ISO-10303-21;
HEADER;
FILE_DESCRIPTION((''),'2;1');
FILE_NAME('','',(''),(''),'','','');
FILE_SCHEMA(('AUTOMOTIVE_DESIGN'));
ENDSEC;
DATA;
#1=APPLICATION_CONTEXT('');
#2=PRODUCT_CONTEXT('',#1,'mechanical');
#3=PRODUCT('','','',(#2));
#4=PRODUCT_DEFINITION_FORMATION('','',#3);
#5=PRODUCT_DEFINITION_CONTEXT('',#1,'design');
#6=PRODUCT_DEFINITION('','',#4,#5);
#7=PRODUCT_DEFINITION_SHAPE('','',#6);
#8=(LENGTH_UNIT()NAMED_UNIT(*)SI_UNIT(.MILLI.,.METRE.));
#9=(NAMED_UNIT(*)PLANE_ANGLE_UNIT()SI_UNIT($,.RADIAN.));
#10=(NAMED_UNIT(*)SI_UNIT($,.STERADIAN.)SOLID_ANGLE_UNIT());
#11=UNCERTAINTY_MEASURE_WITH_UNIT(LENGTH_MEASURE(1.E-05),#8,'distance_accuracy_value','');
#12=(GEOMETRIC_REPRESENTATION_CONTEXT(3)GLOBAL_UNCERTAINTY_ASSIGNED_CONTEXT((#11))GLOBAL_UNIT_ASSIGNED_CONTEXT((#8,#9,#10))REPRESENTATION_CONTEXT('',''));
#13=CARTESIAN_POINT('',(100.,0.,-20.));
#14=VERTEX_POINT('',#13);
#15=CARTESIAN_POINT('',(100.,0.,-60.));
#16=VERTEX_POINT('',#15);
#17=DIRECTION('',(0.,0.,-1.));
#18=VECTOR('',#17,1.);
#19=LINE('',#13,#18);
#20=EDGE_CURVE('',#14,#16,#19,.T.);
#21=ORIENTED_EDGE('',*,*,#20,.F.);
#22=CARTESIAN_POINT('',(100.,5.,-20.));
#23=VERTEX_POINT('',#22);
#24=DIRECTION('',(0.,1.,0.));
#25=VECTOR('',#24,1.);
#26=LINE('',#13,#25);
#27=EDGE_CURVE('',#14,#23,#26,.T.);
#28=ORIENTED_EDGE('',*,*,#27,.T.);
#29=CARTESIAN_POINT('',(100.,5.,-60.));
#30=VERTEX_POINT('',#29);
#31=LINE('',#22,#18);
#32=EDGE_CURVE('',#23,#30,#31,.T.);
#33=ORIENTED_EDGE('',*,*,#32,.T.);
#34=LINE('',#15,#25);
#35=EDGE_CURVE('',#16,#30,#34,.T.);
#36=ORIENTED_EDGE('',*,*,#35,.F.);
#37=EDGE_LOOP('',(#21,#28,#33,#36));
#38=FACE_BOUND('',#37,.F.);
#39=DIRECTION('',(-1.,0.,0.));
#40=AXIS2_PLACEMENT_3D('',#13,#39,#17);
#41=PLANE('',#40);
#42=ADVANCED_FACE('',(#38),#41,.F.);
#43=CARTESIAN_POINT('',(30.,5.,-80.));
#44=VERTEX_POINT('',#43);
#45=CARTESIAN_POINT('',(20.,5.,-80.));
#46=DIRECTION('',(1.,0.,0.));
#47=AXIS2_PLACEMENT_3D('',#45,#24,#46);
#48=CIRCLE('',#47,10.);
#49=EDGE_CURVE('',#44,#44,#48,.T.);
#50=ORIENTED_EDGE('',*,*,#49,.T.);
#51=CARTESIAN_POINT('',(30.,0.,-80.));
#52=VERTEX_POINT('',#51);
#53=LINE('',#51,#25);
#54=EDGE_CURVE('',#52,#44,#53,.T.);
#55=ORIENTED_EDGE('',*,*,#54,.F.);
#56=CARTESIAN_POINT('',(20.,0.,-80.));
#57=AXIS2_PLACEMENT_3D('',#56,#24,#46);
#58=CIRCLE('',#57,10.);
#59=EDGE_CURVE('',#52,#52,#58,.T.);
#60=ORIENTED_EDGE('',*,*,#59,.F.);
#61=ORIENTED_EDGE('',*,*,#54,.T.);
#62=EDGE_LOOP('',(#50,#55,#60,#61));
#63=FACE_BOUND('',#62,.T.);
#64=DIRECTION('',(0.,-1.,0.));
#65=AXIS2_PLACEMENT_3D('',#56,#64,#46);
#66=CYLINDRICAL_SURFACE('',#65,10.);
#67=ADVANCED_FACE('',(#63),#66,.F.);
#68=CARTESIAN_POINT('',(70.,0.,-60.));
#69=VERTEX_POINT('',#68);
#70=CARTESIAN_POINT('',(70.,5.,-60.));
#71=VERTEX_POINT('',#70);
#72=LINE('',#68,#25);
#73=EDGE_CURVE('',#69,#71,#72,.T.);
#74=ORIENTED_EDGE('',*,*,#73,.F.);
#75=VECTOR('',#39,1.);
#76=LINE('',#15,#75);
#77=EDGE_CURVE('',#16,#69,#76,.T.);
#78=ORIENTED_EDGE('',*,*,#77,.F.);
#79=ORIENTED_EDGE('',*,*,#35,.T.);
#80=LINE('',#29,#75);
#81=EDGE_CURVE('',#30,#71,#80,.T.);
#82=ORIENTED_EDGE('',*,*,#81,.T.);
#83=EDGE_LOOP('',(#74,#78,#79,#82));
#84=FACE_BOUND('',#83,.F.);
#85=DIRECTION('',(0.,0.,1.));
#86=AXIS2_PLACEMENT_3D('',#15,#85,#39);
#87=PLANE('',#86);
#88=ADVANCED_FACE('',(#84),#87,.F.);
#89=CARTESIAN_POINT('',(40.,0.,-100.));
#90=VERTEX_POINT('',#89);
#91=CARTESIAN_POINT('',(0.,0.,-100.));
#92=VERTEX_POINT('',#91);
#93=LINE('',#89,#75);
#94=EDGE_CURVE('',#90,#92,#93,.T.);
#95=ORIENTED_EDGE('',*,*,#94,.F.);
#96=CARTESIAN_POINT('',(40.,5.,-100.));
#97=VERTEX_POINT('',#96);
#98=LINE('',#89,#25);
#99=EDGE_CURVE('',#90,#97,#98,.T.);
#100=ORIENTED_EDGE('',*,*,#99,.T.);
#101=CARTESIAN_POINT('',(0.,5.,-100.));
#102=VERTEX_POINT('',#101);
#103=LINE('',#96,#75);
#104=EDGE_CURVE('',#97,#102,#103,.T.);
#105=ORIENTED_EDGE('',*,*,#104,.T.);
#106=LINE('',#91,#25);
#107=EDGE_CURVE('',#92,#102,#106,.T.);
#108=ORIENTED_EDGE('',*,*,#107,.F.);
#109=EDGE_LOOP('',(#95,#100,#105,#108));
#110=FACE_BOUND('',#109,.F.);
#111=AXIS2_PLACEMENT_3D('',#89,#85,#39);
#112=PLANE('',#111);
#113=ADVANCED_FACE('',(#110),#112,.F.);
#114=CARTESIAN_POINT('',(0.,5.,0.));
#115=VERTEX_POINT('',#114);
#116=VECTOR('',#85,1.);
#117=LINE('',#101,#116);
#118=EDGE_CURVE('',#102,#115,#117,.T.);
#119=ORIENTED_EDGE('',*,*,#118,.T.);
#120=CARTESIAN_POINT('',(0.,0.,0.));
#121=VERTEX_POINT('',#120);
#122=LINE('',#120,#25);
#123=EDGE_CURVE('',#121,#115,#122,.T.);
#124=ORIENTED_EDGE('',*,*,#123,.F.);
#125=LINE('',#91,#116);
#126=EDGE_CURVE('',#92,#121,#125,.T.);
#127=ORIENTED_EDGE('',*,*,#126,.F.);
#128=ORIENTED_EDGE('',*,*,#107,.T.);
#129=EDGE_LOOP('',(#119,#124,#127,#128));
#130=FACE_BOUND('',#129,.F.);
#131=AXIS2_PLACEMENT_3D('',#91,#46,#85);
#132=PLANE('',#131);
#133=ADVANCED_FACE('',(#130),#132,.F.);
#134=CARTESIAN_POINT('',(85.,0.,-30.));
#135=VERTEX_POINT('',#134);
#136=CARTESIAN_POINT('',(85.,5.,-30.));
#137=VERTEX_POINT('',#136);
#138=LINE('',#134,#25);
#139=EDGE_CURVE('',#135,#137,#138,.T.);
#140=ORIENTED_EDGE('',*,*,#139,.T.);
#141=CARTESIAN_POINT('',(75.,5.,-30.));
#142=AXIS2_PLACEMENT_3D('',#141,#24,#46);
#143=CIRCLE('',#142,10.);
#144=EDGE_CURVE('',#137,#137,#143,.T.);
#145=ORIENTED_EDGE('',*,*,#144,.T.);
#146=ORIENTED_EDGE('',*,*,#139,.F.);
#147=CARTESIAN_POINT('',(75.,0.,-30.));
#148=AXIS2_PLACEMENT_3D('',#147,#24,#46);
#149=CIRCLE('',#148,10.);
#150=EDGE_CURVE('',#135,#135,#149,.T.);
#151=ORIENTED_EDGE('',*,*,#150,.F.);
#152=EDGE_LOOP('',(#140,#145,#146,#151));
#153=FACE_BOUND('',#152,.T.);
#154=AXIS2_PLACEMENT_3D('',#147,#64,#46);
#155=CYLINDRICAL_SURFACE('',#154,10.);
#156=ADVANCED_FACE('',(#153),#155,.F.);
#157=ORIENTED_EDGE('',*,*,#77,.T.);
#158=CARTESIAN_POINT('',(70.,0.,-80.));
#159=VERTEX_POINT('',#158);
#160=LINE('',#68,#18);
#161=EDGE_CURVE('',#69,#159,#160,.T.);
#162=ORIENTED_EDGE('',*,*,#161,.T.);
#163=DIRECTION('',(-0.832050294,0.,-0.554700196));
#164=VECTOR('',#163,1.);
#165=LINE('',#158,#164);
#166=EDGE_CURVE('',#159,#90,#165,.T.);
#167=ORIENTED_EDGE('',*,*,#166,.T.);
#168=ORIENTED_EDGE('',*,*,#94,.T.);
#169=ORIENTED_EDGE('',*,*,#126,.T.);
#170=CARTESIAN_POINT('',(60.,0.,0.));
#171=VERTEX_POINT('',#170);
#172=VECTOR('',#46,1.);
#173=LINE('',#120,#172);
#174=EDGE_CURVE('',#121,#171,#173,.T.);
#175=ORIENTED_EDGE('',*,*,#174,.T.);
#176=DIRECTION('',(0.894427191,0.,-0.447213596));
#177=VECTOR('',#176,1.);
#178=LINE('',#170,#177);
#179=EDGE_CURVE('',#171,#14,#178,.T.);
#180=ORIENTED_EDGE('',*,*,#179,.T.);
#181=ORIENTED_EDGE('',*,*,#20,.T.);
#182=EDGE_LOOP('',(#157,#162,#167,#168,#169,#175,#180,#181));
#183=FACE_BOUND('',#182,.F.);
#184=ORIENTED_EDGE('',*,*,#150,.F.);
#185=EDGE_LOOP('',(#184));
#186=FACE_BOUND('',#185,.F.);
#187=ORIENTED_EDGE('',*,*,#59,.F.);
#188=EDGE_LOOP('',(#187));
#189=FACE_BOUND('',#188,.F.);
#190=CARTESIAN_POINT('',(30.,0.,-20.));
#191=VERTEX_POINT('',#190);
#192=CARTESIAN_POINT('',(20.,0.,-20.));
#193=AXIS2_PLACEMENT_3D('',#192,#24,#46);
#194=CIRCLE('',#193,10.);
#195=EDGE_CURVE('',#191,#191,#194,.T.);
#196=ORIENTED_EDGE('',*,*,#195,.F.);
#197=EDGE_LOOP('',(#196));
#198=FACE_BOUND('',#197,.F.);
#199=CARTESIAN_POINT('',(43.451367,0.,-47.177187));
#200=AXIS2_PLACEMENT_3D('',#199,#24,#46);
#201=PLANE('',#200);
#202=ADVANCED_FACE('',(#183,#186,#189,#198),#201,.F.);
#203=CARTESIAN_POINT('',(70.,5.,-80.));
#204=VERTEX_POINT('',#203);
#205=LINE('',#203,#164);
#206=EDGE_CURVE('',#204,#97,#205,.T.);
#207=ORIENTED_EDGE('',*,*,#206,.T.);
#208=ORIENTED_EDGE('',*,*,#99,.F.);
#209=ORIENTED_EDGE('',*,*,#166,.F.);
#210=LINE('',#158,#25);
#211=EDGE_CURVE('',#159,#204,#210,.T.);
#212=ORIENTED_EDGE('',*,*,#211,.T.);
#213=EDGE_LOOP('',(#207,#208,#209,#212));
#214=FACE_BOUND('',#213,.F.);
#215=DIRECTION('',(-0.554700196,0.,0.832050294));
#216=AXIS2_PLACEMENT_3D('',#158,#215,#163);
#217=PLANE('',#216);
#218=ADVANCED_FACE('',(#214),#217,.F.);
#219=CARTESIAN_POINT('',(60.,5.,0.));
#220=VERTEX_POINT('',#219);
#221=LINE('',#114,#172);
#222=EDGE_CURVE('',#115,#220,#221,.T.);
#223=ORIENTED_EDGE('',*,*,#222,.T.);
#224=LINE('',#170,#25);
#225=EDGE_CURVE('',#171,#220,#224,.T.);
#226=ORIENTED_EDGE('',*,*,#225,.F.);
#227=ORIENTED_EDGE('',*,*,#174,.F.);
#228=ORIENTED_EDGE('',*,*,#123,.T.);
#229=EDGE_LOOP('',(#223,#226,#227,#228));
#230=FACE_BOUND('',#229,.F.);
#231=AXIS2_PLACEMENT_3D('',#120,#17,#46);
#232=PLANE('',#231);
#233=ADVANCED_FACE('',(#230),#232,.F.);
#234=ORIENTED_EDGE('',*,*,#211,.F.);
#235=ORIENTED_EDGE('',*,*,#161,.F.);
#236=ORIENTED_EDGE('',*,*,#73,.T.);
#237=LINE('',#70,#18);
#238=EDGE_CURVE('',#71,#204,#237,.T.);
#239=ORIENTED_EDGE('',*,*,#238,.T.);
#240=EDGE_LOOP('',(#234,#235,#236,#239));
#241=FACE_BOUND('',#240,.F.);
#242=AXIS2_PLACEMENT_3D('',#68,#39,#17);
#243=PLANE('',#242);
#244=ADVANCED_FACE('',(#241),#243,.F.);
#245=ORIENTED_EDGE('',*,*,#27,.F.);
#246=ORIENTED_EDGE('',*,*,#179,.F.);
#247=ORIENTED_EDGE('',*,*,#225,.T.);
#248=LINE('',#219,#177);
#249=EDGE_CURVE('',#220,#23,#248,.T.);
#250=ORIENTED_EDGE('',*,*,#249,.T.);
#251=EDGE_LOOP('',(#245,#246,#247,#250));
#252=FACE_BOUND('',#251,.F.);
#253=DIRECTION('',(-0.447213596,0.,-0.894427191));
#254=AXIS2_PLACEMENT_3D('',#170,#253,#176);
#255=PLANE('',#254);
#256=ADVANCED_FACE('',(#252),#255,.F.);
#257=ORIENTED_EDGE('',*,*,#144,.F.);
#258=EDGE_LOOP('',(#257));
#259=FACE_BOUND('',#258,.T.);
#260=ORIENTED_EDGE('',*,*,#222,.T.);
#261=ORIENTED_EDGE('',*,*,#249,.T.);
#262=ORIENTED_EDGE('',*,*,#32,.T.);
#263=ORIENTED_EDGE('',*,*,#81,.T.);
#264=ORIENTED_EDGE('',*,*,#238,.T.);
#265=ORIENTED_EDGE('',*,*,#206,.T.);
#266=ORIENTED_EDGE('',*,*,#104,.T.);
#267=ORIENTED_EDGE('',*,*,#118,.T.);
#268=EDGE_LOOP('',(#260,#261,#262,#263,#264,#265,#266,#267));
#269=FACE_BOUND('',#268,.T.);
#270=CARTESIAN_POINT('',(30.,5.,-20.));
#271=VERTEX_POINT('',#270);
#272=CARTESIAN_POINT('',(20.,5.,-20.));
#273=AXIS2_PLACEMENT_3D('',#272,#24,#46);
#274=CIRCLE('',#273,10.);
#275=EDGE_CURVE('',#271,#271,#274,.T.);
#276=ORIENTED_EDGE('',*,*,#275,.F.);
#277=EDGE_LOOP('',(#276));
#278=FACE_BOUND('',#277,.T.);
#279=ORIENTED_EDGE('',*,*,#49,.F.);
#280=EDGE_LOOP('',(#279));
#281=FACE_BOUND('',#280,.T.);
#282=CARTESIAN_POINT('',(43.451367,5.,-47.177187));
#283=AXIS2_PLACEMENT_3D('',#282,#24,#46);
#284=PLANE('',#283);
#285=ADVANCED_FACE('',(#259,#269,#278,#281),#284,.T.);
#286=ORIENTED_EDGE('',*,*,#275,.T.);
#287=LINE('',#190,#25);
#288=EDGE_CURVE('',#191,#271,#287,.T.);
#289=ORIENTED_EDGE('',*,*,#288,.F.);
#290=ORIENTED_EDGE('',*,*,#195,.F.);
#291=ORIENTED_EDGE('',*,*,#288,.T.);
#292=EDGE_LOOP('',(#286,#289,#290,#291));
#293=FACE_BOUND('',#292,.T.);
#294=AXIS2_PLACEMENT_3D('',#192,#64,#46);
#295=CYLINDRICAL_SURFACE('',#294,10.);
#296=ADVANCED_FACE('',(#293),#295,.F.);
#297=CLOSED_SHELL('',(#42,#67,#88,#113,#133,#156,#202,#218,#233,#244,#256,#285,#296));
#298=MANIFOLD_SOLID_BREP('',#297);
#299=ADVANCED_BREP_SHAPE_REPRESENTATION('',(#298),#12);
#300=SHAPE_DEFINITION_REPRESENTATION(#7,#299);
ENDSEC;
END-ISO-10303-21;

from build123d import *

# Parameters (mm, degrees)
SKETCH1_R           = 10
BOSS_EXTRUDE1_DEPTH = 5


with BuildPart() as part:
    # Sketch1 → Boss-Extrude1 (new body)
    with BuildSketch(Plane(origin=(0, 0, 0), x_dir=(1, 0, 0), z_dir=(0, 1, 0))):
        Polygon((0, 0), (60, 0), (100, 20), (100, 60), (70, 60), (70, 80), (40, 100), (0, 100), align=None)
        with Locations((20, 80)):
            Circle(SKETCH1_R, mode=Mode.SUBTRACT)
        with Locations((20, 20)):
            Circle(SKETCH1_R, mode=Mode.SUBTRACT)
        with Locations((75, 30)):
            Circle(SKETCH1_R, mode=Mode.SUBTRACT)
    extrude(amount=BOSS_EXTRUDE1_DEPTH)


solid = part.part
